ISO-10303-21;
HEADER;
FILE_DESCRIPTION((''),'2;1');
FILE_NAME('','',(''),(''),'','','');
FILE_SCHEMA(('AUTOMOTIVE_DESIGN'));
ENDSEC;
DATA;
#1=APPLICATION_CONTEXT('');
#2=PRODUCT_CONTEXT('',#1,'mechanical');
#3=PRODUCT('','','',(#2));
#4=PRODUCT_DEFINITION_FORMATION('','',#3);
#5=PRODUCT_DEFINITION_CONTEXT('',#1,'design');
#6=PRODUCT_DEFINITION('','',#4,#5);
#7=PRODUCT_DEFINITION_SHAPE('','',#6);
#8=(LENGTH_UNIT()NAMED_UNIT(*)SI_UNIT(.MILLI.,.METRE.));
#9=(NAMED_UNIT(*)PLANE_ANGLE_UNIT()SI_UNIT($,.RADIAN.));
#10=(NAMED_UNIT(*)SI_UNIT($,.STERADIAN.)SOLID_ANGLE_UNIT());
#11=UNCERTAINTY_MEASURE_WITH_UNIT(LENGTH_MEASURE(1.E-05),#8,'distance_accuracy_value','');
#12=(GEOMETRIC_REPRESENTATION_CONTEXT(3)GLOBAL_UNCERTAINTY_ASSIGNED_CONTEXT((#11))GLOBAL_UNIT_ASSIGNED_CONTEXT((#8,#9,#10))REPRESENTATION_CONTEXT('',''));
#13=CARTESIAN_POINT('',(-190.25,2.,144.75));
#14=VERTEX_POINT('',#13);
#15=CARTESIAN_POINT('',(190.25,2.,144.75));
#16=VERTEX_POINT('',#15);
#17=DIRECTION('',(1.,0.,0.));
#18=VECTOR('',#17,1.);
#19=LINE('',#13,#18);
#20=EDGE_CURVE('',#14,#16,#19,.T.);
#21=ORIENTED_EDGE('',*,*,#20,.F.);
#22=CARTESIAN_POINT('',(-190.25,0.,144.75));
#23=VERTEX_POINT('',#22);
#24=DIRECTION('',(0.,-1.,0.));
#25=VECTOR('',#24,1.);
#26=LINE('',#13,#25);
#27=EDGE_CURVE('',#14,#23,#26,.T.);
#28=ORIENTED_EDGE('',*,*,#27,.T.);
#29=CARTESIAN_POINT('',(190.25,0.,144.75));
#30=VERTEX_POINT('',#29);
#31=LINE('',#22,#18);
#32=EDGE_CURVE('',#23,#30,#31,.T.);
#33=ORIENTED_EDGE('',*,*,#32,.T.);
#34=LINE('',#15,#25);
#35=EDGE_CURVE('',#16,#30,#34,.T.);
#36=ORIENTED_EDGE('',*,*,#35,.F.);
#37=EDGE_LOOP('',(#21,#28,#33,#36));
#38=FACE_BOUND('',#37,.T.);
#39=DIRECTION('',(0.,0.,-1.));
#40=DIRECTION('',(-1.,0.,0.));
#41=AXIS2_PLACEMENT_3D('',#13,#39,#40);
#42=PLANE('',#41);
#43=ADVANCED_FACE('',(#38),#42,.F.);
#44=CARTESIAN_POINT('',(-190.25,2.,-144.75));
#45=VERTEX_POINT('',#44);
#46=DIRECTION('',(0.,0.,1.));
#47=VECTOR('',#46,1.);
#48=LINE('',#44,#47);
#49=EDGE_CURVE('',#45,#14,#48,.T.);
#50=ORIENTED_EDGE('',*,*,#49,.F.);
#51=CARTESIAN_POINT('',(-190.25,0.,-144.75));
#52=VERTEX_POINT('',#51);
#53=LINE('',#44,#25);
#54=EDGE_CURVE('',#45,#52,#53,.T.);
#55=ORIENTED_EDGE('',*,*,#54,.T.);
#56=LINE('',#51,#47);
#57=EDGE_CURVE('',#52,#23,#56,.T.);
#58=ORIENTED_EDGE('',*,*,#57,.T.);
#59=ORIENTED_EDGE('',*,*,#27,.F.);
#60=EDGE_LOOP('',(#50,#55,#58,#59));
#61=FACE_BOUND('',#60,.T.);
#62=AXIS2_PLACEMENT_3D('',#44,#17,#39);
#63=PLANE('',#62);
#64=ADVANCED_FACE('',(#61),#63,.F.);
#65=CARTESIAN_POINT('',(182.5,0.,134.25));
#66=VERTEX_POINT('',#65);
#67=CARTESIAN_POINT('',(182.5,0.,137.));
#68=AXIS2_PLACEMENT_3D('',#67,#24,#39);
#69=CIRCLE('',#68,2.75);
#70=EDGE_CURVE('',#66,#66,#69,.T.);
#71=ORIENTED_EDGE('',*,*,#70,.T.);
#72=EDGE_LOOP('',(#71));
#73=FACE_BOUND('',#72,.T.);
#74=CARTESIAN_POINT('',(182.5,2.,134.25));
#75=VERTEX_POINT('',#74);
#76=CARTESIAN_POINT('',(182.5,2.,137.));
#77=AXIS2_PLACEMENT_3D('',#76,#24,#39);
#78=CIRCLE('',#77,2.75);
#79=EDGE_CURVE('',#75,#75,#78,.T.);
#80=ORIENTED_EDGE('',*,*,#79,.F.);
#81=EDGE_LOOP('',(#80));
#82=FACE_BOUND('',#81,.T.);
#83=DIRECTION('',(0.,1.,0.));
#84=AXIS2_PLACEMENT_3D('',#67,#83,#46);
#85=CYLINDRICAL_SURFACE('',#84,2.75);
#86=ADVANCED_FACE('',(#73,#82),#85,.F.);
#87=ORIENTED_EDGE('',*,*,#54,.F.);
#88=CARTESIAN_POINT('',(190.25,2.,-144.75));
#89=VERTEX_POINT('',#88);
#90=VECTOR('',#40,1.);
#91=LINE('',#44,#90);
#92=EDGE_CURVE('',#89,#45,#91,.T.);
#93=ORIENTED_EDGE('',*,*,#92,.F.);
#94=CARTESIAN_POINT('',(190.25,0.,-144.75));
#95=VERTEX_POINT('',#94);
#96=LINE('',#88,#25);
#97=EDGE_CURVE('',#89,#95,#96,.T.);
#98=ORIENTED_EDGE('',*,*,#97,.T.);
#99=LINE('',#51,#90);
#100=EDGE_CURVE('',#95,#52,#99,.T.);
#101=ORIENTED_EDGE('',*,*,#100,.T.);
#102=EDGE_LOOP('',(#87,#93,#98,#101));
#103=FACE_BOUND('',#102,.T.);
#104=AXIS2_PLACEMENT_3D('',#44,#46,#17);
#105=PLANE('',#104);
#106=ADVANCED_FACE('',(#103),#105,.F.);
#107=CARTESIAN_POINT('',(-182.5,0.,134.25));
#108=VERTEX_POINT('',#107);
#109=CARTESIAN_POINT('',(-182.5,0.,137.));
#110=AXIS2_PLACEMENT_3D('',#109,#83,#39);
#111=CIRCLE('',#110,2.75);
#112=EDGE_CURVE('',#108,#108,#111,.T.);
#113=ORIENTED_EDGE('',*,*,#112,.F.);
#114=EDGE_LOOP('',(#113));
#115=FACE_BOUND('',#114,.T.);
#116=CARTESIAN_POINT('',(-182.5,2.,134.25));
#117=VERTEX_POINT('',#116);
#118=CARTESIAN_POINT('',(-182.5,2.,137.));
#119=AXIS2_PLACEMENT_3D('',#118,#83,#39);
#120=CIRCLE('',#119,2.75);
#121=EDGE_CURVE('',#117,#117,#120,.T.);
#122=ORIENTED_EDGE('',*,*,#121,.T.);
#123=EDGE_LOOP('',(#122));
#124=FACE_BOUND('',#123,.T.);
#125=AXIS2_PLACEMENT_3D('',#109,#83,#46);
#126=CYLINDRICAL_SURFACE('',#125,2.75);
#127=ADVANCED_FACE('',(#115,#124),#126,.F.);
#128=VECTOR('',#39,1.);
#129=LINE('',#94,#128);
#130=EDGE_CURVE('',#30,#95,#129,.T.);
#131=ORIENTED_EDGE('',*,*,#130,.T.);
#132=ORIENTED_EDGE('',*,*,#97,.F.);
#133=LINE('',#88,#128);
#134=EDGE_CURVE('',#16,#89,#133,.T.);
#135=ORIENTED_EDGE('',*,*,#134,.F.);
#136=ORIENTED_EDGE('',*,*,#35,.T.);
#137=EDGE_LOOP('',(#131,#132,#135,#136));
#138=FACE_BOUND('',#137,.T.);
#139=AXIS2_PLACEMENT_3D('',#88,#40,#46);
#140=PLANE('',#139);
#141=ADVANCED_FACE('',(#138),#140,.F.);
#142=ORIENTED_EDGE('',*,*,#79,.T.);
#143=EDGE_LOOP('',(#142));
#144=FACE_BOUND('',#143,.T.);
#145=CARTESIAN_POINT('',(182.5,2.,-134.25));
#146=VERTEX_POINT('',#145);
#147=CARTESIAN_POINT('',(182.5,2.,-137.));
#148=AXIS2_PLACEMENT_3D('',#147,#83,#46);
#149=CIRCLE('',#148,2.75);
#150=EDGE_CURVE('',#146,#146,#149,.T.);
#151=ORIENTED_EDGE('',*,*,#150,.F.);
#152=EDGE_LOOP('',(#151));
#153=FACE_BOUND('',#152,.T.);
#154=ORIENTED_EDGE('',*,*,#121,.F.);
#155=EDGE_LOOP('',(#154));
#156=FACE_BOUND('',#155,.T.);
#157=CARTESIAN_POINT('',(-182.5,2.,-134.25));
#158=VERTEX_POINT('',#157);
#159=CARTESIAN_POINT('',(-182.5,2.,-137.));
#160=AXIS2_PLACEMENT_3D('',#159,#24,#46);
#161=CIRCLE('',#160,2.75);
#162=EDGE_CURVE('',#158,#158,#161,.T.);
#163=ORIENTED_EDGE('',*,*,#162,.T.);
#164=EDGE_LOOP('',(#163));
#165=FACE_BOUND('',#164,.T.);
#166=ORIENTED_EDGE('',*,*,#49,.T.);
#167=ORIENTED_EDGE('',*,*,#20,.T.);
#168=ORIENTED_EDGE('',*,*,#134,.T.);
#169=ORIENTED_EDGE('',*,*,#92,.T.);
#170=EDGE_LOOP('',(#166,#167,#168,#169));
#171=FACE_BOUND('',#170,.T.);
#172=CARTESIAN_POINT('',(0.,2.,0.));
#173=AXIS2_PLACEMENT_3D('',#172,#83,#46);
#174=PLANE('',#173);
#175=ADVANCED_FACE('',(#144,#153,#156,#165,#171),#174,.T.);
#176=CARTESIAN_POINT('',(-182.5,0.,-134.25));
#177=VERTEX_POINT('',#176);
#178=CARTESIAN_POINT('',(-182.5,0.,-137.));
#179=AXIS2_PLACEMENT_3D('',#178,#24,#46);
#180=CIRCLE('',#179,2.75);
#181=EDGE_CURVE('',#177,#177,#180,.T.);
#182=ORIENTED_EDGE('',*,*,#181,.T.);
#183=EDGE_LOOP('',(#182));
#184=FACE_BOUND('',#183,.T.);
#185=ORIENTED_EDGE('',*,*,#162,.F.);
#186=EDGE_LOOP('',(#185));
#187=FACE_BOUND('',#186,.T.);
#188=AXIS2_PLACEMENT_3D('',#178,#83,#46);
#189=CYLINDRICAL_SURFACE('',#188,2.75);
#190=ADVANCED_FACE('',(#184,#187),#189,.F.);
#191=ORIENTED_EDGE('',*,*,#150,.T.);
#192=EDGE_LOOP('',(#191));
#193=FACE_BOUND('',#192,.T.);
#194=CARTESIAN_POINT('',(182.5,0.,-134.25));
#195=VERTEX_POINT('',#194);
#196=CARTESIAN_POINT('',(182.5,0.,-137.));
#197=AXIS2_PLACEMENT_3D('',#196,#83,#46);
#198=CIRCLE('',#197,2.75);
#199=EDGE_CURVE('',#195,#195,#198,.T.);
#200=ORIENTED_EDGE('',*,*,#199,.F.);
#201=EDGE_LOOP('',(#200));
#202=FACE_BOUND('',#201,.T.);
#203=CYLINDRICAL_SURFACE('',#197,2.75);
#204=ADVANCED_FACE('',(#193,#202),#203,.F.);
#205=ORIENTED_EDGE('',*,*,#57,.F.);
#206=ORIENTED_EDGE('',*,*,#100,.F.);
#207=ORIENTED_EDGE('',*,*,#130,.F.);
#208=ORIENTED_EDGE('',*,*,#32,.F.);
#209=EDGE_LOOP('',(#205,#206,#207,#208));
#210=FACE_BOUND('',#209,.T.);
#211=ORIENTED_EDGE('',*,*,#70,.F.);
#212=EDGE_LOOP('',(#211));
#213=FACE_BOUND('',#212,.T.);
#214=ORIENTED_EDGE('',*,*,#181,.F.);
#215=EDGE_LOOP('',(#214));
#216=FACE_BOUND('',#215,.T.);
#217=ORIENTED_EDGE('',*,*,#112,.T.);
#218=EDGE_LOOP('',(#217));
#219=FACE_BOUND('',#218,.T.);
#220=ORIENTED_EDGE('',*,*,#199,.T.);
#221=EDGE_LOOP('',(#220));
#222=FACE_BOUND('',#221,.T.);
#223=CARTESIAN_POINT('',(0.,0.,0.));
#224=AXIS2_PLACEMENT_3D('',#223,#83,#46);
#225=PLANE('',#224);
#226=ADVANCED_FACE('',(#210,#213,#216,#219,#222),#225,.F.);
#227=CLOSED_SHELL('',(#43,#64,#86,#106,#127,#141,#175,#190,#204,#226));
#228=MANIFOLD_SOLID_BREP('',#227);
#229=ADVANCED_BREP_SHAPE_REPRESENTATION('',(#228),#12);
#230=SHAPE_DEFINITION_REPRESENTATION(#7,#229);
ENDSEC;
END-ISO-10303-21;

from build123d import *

# Parameters (mm, degrees)
SKETCH4_W               = 380.5
SKETCH4_H               = 289.5
BOSS_EXTRUDE1_DEPTH     = 2
SKETCH5_R               = 2.75
CUT_EXTRUDE1_DEPTH      = 240.064060452
MIRROR2_COPY_1_SKETCH_R = 2.75
MIRROR2_COPY_1_DEPTH    = 240.064060452


with BuildPart() as part:
    # Sketch4 → Boss-Extrude1 (new body)
    with BuildSketch(Plane(origin=(0, 0, 0), x_dir=(1, 0, 0), z_dir=(0, 1, 0))):
        Rectangle(SKETCH4_W, SKETCH4_H)
    extrude(amount=BOSS_EXTRUDE1_DEPTH)

    # Sketch5 → Cut-Extrude1 (cut, through all)
    with BuildSketch(Plane(origin=(0, 2, 0), x_dir=(1, 0, 0), z_dir=(0, 1, 0))):
        with Locations(Location((182.5, 137, 0), (0, 0, 270))):
            Circle(SKETCH5_R)
    cut_extrude1 = extrude(amount=-CUT_EXTRUDE1_DEPTH, mode=Mode.SUBTRACT)

    # Mirror1: Cut-Extrude1 across plane
    add(cut_extrude1.mirror(Plane(origin=(0, 0, 0), x_dir=(0, 0, 1), z_dir=(1, 0, 0))), mode=Mode.SUBTRACT)

    # Mirror2: Cut-Extrude1 across plane
    add(cut_extrude1.mirror(Plane.XY), mode=Mode.SUBTRACT)

    # Mirror2 copy 1 sketch → Mirror2 copy 1 (cut, through all)
    with BuildSketch(Plane(origin=(0, 2, 0), x_dir=(-1, 0, 0), z_dir=(0, 1, 0))):
        with Locations(Location((182.5, 137, 0), (0, 0, 270))):
            Circle(MIRROR2_COPY_1_SKETCH_R)
    extrude(amount=-MIRROR2_COPY_1_DEPTH, mode=Mode.SUBTRACT)


solid = part.part
